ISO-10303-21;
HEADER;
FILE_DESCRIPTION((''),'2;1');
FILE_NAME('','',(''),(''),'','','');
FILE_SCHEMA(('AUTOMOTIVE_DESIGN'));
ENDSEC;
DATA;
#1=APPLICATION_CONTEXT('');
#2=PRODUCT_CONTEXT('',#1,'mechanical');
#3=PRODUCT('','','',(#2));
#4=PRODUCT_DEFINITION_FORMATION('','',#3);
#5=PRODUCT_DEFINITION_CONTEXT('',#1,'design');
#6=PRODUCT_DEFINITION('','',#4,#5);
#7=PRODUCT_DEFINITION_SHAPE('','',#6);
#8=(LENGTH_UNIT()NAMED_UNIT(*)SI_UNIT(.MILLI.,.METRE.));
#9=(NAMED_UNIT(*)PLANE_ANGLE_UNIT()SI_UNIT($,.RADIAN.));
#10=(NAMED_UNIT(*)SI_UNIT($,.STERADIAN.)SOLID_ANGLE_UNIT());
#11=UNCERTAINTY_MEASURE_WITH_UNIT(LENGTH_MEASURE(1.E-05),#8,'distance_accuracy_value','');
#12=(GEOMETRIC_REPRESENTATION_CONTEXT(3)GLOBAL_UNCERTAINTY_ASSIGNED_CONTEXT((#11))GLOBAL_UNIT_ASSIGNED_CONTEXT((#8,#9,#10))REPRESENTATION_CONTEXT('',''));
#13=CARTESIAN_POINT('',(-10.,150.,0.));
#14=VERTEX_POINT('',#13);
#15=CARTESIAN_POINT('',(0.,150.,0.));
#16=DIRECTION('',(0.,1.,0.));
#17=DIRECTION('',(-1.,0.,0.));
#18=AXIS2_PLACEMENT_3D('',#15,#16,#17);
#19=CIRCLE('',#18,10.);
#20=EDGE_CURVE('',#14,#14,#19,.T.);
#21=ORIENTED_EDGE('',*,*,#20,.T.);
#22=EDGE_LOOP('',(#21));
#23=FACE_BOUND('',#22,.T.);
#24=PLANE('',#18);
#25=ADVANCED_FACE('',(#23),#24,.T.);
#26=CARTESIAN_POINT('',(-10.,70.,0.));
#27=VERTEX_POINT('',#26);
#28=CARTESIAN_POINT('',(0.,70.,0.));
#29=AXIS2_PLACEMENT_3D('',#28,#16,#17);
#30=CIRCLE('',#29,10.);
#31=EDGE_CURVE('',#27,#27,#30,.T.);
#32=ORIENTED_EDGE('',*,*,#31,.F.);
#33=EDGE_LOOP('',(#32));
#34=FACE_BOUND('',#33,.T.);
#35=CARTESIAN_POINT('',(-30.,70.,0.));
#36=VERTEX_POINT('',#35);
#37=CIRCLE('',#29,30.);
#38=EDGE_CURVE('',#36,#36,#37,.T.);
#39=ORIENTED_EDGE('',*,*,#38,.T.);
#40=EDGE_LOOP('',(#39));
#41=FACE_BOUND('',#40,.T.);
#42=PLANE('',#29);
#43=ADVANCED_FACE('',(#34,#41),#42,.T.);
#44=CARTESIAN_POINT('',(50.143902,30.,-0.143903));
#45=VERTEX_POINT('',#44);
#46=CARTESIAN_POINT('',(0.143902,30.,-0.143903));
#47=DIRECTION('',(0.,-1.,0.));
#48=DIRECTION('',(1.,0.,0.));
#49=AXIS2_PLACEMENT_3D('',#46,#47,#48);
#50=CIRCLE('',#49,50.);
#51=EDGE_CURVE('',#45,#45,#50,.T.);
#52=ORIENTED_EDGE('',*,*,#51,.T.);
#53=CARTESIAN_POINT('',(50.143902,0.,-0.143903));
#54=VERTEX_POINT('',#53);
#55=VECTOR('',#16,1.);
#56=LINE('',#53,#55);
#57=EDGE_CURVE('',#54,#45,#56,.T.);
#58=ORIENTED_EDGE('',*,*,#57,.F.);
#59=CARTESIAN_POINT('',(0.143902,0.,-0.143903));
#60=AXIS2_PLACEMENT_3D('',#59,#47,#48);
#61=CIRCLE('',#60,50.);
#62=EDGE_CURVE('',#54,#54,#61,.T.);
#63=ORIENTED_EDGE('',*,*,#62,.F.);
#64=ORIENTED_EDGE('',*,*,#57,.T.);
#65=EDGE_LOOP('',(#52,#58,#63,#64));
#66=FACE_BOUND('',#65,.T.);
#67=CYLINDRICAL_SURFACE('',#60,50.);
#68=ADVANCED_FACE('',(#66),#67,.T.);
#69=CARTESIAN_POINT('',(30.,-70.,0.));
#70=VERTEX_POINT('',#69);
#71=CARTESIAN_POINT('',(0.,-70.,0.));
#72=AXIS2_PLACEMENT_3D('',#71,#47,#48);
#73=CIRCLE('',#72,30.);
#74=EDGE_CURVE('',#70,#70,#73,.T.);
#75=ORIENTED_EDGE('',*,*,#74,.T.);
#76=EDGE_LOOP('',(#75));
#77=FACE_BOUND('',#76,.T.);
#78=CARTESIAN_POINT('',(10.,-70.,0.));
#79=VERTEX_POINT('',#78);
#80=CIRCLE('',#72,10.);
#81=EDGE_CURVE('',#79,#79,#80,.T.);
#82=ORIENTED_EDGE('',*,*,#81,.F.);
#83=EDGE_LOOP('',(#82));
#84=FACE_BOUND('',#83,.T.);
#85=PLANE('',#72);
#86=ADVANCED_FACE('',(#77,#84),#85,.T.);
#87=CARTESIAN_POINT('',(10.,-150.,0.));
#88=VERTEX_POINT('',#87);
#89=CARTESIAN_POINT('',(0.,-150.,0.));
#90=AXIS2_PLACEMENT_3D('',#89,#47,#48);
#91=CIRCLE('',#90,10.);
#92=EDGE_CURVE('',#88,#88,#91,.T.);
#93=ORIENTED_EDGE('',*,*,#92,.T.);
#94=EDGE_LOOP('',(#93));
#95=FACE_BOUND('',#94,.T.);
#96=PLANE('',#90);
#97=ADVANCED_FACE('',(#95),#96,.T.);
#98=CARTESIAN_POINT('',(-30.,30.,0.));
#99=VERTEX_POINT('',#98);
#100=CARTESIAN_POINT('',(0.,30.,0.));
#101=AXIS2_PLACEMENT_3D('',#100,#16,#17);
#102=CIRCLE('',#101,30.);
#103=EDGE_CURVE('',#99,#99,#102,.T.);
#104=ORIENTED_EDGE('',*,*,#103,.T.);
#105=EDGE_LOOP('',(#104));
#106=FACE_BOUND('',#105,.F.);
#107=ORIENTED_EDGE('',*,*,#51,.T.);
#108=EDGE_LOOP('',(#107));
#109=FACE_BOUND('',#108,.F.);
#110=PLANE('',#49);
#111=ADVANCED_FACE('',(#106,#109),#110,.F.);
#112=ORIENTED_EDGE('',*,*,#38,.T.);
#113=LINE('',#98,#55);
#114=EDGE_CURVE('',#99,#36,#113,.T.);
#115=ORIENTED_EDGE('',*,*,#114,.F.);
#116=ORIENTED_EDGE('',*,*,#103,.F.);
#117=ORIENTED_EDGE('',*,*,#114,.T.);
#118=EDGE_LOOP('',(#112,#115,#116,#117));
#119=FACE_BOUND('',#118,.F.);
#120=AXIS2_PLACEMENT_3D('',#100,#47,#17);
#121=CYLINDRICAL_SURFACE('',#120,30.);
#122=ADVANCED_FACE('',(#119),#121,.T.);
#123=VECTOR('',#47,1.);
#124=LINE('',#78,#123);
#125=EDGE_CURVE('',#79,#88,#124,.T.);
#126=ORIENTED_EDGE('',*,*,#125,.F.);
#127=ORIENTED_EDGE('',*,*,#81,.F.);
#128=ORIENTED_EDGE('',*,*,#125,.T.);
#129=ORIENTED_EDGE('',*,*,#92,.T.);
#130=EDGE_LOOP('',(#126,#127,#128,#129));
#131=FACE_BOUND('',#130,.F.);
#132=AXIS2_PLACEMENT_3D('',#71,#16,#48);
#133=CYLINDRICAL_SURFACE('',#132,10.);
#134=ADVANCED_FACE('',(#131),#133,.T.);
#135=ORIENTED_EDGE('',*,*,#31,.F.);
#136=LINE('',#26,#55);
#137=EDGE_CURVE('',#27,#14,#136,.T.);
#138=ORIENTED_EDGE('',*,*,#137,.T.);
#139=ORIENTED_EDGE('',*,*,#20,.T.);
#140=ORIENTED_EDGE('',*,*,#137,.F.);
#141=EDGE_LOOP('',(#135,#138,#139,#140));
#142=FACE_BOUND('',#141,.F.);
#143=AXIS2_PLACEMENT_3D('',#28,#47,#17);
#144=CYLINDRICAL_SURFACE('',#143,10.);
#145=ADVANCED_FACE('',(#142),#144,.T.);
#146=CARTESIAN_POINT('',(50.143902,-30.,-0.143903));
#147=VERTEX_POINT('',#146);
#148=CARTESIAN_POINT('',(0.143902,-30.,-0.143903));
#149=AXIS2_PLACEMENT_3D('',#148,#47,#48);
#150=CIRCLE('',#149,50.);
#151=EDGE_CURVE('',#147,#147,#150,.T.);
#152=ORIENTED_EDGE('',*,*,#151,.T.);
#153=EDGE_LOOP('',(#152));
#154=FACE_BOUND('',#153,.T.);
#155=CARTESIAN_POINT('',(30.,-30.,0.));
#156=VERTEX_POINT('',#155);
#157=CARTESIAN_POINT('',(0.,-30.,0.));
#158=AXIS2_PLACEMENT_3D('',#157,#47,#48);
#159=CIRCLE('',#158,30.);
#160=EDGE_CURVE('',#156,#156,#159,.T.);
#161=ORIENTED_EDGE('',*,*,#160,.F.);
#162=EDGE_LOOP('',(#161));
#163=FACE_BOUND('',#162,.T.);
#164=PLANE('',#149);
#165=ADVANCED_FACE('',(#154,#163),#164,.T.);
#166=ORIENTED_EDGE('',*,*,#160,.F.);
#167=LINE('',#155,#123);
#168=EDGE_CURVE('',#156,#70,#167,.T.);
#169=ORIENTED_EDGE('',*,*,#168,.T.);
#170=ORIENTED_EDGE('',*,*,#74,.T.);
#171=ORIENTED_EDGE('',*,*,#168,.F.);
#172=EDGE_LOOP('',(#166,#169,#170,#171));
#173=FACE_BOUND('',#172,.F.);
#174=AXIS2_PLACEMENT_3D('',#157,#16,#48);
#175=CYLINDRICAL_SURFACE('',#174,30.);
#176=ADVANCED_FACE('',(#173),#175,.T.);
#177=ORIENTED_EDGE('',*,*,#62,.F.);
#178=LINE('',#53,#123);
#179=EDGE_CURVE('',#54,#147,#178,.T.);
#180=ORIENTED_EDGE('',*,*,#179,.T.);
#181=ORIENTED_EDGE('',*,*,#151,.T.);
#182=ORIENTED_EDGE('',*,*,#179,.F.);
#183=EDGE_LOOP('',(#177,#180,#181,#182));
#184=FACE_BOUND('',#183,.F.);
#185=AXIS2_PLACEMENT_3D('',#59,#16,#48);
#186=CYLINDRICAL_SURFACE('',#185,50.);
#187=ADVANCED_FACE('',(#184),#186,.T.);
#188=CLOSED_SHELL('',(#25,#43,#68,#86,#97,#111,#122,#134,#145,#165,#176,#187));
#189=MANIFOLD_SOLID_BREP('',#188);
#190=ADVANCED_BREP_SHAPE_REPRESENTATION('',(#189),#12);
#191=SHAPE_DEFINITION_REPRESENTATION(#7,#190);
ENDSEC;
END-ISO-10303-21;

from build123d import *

# Parameters (mm, degrees)
F0_R      = 50
F0_R_2    = 30
F0_R_3    = 10
F1_DEPTH  = 30
F1_FACE_R = 50
F2_DEPTH  = 30
F4_R      = 30
F5_DEPTH  = 40
F3_R      = 30
F6_DEPTH  = 40
F7_R      = 10
F8_DEPTH  = 80
F9_R      = 10
F10_DEPTH = 80


with BuildPart() as f1:
    # F0 (on Front) → F1 (new body)
    with BuildSketch(Plane.XZ):
        with Locations((0.143902, -0.143903)):
            Circle(F0_R)
        Circle(F0_R_2, mode=Mode.SUBTRACT)
        Circle(F0_R_2)
        with Locations((0.143902, -0.143903)):
            Circle(F0_R_3, mode=Mode.SUBTRACT)
        with Locations((0.143902, -0.143903)):
            Circle(F0_R_3)
    extrude(amount=-F1_DEPTH)

    # F1_face (on face) → F2 (join)
    with BuildSketch(Plane(origin=(0.143902, 0, -0.143903), x_dir=(1, 0, 0), z_dir=(0, -1, 0))):
        Circle(F1_FACE_R)
    extrude(amount=F2_DEPTH)

    # F4 (on face) → F5 (join)
    with BuildSketch(Plane(origin=(0, 30, 0), x_dir=(-1, 0, 0), z_dir=(0, 1, 0))):
        Circle(F4_R)
    extrude(amount=F5_DEPTH)

    # F3 (on face) → F6 (join)
    with BuildSketch(Plane.XZ.offset(30)):
        Circle(F3_R)
    extrude(amount=F6_DEPTH)

    # F7 (on face) → F8 (join)
    with BuildSketch(Plane.XZ.offset(70)):
        Circle(F7_R)
    extrude(amount=F8_DEPTH)

    # F9 (on face) → F10 (join)
    with BuildSketch(Plane(origin=(0, 70, 0), x_dir=(-1, 0, 0), z_dir=(0, 1, 0))):
        Circle(F9_R)
    extrude(amount=F10_DEPTH)


solid = f1.part
